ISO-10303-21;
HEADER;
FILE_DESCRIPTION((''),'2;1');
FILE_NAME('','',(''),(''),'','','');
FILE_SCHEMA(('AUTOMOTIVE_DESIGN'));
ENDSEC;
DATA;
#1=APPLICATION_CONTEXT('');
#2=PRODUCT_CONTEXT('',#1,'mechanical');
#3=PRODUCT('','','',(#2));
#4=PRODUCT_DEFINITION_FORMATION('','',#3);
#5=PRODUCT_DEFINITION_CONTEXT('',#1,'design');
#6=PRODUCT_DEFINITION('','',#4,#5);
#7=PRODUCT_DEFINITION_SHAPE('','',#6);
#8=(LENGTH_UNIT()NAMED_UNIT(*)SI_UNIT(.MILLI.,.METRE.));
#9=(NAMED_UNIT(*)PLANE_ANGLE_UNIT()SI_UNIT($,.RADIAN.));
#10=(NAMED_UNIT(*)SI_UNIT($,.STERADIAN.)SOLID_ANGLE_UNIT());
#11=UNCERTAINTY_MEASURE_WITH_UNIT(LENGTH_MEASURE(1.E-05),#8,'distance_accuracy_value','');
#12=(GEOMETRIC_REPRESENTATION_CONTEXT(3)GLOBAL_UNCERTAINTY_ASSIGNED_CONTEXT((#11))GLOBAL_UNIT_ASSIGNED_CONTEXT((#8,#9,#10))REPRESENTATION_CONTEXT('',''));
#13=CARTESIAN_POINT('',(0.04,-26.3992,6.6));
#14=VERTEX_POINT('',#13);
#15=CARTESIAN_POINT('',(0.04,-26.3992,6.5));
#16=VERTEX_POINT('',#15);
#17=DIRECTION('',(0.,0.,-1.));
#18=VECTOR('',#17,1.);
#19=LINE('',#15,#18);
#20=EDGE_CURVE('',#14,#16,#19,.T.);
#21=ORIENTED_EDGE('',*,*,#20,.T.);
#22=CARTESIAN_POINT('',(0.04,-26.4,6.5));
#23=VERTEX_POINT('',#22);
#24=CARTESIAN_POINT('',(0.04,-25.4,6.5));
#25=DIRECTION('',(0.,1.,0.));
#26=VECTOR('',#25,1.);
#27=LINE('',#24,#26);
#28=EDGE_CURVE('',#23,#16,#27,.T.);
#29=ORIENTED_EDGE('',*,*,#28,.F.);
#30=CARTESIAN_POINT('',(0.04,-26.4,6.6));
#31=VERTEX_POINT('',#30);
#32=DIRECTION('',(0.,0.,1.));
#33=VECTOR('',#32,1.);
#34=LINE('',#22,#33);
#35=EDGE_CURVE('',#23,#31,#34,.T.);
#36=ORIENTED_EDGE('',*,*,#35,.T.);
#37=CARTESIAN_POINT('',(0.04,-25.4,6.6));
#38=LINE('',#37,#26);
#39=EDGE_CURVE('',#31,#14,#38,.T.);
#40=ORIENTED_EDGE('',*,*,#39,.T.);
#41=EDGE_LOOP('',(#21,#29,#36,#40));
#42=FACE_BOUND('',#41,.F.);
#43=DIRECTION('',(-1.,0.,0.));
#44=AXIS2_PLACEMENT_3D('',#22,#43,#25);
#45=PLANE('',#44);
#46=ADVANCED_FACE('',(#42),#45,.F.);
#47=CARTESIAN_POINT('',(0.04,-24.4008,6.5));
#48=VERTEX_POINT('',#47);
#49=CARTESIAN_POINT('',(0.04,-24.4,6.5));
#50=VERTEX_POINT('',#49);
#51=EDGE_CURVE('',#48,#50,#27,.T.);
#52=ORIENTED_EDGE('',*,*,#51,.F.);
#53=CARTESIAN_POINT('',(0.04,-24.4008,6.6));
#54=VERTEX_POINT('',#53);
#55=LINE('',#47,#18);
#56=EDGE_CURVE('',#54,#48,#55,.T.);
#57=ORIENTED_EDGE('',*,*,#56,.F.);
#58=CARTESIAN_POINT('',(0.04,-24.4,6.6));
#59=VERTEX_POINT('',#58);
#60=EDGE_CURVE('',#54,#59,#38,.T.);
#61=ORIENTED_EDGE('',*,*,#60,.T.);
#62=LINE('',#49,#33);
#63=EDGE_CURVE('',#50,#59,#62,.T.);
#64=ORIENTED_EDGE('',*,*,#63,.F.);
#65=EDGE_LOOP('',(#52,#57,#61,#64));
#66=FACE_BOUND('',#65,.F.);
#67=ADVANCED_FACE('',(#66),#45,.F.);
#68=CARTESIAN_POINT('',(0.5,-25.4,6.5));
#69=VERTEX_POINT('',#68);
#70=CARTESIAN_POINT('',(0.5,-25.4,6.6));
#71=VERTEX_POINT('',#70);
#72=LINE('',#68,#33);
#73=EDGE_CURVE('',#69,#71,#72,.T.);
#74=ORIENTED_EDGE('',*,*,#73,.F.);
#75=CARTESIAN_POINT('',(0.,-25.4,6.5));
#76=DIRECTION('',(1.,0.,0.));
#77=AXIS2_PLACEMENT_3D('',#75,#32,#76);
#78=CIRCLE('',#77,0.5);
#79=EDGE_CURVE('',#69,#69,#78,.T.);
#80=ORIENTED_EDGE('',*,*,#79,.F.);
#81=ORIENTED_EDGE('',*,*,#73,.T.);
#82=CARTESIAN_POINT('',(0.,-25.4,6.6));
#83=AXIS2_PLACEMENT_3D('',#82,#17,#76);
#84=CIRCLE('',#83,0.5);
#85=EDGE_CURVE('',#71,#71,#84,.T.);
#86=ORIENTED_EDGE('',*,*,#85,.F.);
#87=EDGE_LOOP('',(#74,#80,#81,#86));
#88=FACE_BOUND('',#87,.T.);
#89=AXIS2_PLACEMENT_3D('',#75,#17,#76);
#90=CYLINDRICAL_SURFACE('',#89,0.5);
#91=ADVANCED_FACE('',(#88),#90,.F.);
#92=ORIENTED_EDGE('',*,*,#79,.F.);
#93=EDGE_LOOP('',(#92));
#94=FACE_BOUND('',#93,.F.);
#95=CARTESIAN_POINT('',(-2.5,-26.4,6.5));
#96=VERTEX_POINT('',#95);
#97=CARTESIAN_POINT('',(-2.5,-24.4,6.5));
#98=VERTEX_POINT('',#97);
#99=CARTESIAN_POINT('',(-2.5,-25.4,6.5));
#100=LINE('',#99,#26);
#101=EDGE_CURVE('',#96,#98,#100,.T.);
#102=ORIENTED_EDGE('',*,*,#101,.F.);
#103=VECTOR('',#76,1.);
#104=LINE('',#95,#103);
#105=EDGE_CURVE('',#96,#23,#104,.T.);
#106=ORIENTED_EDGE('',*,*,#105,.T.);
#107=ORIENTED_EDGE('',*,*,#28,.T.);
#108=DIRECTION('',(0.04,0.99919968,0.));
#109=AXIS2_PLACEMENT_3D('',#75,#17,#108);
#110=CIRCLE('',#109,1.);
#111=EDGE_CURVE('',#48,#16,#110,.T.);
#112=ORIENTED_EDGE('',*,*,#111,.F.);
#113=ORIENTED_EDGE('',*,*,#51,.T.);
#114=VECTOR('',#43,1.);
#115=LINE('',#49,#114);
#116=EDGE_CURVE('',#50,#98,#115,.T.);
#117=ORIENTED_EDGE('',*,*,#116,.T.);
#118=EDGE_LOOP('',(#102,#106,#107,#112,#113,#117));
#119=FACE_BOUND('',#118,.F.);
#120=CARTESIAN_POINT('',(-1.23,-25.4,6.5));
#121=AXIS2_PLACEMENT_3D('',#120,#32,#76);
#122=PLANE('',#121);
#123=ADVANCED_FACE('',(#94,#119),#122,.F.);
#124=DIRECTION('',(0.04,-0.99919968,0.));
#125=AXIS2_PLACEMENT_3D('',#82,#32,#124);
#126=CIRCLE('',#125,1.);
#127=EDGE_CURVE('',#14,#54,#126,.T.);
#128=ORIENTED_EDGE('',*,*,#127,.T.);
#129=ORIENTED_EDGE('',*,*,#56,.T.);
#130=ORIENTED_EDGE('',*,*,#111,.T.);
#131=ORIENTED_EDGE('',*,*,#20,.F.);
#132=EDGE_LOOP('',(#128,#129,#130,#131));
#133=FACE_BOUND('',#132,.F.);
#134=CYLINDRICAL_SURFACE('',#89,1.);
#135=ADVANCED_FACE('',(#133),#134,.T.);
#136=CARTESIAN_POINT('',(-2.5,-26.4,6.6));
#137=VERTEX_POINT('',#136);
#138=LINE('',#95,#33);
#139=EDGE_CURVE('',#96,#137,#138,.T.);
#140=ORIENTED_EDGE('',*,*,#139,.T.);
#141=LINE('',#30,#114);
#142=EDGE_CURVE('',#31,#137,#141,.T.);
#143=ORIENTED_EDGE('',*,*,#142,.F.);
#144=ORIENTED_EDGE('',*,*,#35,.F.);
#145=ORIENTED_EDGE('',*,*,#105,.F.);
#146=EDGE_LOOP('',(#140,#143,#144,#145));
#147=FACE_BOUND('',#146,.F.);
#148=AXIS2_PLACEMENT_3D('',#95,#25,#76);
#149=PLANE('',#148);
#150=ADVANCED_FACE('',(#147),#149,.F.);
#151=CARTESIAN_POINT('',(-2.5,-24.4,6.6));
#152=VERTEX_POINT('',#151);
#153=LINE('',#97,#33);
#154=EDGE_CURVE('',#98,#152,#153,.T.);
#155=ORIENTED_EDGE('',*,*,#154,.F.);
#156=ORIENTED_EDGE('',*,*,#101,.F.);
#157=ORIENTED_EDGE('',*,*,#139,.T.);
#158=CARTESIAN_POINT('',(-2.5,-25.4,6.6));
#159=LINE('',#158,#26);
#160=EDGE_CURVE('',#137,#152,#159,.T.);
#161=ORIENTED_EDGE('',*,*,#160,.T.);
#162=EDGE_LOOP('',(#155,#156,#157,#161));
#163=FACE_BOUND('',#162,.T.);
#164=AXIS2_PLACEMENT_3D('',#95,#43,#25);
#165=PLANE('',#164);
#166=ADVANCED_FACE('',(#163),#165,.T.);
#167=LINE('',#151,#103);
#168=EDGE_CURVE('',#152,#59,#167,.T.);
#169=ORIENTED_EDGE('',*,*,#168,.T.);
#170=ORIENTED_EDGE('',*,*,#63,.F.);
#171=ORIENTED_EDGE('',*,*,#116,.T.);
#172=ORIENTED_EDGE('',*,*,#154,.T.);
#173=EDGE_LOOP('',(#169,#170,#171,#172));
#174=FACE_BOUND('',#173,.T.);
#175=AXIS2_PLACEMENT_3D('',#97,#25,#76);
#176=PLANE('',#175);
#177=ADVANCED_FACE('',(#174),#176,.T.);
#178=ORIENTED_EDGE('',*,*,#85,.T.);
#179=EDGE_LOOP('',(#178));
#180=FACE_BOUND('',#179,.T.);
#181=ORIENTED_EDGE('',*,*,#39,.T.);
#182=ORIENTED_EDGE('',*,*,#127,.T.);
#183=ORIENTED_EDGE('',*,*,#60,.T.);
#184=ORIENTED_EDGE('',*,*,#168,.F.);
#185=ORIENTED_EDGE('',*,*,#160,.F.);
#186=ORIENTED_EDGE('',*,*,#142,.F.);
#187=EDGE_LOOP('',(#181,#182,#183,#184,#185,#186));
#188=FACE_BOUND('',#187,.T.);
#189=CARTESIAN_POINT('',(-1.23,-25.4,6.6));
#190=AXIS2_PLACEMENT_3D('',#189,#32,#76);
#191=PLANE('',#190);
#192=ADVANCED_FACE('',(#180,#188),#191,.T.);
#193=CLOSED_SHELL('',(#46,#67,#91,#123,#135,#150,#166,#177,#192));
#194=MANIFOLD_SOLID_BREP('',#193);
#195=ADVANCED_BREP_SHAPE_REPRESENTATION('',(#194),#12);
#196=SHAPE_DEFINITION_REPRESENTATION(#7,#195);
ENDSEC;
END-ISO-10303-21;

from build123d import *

# Parameters (mm, degrees)
CYLINDER032_R     = 0.5
CYLINDER032_DEPTH = 0.1
BOX013_W          = 2.54
BOX013_H          = 2
BOX013_DEPTH      = 0.1
CYLINDER031_R     = 0.5
CYLINDER031_DEPTH = 0.1
CYLINDER030_R     = 1
CYLINDER030_DEPTH = 0.1


with BuildPart() as cylinder032:
    # Cylinder032 → Cylinder032 (new body)
    with BuildSketch(Plane.XY.offset(1)):
        Circle(CYLINDER032_R)
    extrude(amount=CYLINDER032_DEPTH)


with BuildPart() as cut022:
    # Box013 → Box013 (new body)
    with BuildSketch(Plane(origin=(-2.5, -1, 1), x_dir=(1, 0, 0), z_dir=(0, 0, 1))):
        with Locations((1.27, 1)):
            Rectangle(BOX013_W, BOX013_H)
    extrude(amount=BOX013_DEPTH)

    # Cut022: cut Cylinder032
    add(cylinder032.part, mode=Mode.SUBTRACT)


with BuildPart() as cylinder031:
    # Cylinder031 → Cylinder031 (new body)
    with BuildSketch(Plane.XY.offset(1)):
        Circle(CYLINDER031_R)
    extrude(amount=CYLINDER031_DEPTH)


with BuildPart() as fusion010:
    # Cylinder030 → Cylinder030 (new body)
    with BuildSketch(Plane.XY.offset(1)):
        Circle(CYLINDER030_R)
    extrude(amount=CYLINDER030_DEPTH)

    # Cut021: cut Cylinder031
    add(cylinder031.part, mode=Mode.SUBTRACT)

    # Fusion010: union Cut022
    add(cut022.part)


with BuildPart() as fusion010_1:
    # Fusion010 placement: moved
    add(fusion010.part.moved(Location((0, -25.4, 5.5))))


solid = fusion010_1.part
